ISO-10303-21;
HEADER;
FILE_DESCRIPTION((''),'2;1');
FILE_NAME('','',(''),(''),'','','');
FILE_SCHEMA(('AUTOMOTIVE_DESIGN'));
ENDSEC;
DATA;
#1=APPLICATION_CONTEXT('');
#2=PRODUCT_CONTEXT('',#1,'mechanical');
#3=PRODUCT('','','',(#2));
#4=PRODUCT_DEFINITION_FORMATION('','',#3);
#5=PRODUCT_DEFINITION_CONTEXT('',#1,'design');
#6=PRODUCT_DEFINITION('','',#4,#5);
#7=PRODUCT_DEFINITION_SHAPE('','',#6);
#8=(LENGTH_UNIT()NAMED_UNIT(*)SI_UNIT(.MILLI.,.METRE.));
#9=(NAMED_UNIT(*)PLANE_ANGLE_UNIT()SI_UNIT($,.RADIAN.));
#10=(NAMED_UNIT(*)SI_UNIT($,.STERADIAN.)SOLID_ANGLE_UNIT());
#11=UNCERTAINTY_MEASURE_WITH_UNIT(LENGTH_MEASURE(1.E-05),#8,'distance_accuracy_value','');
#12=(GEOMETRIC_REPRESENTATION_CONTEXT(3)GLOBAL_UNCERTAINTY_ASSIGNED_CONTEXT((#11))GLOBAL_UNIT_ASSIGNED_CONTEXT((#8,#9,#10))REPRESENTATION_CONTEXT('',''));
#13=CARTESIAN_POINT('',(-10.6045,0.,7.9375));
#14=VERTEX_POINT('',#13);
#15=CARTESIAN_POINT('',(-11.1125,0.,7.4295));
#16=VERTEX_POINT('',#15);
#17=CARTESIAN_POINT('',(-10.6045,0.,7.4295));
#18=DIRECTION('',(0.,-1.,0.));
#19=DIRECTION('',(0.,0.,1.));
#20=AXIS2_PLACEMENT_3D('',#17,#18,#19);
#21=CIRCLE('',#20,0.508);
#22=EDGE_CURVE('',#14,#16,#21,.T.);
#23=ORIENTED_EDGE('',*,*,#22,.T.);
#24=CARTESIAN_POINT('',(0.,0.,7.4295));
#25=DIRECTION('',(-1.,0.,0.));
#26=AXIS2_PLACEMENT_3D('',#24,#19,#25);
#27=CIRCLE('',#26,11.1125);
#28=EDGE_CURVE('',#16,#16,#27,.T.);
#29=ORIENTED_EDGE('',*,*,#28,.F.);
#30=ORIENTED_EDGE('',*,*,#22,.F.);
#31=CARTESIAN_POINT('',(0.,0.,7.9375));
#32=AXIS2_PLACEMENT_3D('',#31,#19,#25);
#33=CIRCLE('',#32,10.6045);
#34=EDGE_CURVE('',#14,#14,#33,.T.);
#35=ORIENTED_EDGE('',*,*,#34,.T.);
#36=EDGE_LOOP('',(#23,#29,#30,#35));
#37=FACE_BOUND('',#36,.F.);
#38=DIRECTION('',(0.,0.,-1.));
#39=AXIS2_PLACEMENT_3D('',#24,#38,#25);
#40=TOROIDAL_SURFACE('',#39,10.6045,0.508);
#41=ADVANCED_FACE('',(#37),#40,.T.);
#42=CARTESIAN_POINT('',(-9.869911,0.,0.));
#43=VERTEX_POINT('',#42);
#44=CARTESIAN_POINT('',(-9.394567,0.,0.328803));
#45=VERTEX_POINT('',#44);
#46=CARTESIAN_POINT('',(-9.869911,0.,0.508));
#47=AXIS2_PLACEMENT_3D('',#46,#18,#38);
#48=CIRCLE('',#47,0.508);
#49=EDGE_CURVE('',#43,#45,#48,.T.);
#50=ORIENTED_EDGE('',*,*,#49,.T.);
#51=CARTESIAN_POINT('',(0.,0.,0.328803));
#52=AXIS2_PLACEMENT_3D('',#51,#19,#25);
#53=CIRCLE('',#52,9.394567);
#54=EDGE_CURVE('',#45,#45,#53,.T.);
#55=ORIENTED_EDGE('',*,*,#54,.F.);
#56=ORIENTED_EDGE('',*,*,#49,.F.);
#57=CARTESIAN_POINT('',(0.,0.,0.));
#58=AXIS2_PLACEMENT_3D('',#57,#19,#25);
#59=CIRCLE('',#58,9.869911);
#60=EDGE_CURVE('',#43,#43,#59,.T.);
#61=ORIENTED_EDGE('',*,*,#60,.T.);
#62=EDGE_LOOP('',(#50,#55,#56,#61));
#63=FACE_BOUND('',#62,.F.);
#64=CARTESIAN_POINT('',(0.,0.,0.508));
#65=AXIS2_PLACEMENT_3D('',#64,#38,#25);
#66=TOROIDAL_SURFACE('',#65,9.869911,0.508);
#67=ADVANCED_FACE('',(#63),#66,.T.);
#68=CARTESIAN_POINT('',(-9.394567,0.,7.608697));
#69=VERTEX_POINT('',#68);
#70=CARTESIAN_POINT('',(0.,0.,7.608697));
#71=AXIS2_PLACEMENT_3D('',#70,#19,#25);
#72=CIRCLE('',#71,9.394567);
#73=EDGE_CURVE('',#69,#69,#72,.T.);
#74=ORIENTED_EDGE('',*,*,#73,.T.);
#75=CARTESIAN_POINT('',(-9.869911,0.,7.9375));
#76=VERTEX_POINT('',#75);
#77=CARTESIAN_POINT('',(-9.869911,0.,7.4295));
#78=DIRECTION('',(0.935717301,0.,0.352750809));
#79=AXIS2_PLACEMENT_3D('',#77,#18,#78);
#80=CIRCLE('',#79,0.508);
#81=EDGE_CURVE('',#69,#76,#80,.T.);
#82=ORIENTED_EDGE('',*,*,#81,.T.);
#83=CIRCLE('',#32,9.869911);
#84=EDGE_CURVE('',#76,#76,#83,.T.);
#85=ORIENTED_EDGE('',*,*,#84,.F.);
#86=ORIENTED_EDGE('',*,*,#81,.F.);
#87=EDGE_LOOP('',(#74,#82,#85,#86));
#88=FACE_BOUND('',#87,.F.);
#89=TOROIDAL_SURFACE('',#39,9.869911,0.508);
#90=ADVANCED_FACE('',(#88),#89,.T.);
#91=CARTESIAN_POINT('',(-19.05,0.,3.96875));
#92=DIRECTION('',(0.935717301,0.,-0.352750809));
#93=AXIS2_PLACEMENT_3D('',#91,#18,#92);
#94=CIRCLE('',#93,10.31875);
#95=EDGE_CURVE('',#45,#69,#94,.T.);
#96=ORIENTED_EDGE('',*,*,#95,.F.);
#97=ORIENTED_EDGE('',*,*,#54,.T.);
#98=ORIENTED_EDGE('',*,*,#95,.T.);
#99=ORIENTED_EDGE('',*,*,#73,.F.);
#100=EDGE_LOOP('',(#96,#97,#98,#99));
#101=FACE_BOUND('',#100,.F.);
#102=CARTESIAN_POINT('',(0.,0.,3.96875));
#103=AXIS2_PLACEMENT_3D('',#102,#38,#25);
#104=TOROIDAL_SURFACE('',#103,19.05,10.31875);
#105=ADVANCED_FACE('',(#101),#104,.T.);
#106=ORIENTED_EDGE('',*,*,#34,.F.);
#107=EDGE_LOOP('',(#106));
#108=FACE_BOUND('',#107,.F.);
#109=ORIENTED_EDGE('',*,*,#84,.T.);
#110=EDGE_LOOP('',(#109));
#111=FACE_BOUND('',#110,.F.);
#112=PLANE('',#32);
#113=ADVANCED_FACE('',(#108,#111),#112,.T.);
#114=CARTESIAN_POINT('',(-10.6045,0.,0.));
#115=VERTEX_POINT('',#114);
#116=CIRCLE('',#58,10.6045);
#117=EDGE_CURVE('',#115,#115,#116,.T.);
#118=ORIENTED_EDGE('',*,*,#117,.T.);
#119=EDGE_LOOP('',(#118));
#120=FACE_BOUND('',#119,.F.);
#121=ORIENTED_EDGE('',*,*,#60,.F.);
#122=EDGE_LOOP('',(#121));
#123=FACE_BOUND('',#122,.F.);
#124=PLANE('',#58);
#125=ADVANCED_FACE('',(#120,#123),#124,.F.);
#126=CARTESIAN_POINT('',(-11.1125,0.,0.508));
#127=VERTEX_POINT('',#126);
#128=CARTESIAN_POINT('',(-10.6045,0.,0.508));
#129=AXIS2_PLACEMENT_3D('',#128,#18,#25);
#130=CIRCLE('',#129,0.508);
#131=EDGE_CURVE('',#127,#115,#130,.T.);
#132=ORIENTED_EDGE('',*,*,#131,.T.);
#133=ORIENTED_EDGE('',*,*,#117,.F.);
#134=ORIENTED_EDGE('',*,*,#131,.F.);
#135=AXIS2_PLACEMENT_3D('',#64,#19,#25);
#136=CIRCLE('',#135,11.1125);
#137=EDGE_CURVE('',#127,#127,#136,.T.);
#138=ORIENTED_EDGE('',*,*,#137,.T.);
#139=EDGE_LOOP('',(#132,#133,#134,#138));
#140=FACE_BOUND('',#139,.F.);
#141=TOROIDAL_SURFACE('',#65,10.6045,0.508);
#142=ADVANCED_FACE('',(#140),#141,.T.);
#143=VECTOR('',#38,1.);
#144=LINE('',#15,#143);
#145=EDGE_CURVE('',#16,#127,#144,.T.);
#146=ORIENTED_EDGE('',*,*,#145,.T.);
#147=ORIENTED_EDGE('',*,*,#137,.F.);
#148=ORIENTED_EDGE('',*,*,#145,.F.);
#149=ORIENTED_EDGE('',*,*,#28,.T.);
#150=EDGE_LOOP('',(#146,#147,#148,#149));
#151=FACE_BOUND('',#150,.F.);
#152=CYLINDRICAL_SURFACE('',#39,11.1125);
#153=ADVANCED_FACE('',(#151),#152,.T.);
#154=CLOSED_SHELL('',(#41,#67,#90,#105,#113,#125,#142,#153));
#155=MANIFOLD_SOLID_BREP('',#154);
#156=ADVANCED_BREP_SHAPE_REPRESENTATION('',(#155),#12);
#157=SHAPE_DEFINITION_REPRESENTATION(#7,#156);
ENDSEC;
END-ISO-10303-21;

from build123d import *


with BuildPart() as f1:
    # F0 (on Front) → F1 (revolve)
    with BuildSketch(Plane.XZ):
        with BuildLine():
            ThreePointArc((-9.3945671041, 7.608697411), (-9.5809203898, 7.8472895911), (-9.8699114928, 7.9375))
            Line((-9.8699114928, 7.9375), (-10.6045, 7.9375))
            ThreePointArc((-10.6045, 7.9375), (-10.9637102448, 7.7887102448), (-11.1125, 7.4295))
            Line((-11.1125, 7.4295), (-11.1125, 0.508))
            ThreePointArc((-11.1125, 0.508), (-10.9637102448, 0.1487897552), (-10.6045, 0))
            Line((-10.6045, 0), (-9.8699114928, 0))
            ThreePointArc((-9.8699114928, 0), (-9.5809203898, 0.0902104089), (-9.3945671041, 0.328802589))
            ThreePointArc((-9.3945671041, 0.328802589), (-8.73125, 3.96875), (-9.3945671041, 7.608697411))
        make_face()
    revolve(axis=Axis((0, 0, 3.96875), (0, 0, 1)))


solid = f1.part
